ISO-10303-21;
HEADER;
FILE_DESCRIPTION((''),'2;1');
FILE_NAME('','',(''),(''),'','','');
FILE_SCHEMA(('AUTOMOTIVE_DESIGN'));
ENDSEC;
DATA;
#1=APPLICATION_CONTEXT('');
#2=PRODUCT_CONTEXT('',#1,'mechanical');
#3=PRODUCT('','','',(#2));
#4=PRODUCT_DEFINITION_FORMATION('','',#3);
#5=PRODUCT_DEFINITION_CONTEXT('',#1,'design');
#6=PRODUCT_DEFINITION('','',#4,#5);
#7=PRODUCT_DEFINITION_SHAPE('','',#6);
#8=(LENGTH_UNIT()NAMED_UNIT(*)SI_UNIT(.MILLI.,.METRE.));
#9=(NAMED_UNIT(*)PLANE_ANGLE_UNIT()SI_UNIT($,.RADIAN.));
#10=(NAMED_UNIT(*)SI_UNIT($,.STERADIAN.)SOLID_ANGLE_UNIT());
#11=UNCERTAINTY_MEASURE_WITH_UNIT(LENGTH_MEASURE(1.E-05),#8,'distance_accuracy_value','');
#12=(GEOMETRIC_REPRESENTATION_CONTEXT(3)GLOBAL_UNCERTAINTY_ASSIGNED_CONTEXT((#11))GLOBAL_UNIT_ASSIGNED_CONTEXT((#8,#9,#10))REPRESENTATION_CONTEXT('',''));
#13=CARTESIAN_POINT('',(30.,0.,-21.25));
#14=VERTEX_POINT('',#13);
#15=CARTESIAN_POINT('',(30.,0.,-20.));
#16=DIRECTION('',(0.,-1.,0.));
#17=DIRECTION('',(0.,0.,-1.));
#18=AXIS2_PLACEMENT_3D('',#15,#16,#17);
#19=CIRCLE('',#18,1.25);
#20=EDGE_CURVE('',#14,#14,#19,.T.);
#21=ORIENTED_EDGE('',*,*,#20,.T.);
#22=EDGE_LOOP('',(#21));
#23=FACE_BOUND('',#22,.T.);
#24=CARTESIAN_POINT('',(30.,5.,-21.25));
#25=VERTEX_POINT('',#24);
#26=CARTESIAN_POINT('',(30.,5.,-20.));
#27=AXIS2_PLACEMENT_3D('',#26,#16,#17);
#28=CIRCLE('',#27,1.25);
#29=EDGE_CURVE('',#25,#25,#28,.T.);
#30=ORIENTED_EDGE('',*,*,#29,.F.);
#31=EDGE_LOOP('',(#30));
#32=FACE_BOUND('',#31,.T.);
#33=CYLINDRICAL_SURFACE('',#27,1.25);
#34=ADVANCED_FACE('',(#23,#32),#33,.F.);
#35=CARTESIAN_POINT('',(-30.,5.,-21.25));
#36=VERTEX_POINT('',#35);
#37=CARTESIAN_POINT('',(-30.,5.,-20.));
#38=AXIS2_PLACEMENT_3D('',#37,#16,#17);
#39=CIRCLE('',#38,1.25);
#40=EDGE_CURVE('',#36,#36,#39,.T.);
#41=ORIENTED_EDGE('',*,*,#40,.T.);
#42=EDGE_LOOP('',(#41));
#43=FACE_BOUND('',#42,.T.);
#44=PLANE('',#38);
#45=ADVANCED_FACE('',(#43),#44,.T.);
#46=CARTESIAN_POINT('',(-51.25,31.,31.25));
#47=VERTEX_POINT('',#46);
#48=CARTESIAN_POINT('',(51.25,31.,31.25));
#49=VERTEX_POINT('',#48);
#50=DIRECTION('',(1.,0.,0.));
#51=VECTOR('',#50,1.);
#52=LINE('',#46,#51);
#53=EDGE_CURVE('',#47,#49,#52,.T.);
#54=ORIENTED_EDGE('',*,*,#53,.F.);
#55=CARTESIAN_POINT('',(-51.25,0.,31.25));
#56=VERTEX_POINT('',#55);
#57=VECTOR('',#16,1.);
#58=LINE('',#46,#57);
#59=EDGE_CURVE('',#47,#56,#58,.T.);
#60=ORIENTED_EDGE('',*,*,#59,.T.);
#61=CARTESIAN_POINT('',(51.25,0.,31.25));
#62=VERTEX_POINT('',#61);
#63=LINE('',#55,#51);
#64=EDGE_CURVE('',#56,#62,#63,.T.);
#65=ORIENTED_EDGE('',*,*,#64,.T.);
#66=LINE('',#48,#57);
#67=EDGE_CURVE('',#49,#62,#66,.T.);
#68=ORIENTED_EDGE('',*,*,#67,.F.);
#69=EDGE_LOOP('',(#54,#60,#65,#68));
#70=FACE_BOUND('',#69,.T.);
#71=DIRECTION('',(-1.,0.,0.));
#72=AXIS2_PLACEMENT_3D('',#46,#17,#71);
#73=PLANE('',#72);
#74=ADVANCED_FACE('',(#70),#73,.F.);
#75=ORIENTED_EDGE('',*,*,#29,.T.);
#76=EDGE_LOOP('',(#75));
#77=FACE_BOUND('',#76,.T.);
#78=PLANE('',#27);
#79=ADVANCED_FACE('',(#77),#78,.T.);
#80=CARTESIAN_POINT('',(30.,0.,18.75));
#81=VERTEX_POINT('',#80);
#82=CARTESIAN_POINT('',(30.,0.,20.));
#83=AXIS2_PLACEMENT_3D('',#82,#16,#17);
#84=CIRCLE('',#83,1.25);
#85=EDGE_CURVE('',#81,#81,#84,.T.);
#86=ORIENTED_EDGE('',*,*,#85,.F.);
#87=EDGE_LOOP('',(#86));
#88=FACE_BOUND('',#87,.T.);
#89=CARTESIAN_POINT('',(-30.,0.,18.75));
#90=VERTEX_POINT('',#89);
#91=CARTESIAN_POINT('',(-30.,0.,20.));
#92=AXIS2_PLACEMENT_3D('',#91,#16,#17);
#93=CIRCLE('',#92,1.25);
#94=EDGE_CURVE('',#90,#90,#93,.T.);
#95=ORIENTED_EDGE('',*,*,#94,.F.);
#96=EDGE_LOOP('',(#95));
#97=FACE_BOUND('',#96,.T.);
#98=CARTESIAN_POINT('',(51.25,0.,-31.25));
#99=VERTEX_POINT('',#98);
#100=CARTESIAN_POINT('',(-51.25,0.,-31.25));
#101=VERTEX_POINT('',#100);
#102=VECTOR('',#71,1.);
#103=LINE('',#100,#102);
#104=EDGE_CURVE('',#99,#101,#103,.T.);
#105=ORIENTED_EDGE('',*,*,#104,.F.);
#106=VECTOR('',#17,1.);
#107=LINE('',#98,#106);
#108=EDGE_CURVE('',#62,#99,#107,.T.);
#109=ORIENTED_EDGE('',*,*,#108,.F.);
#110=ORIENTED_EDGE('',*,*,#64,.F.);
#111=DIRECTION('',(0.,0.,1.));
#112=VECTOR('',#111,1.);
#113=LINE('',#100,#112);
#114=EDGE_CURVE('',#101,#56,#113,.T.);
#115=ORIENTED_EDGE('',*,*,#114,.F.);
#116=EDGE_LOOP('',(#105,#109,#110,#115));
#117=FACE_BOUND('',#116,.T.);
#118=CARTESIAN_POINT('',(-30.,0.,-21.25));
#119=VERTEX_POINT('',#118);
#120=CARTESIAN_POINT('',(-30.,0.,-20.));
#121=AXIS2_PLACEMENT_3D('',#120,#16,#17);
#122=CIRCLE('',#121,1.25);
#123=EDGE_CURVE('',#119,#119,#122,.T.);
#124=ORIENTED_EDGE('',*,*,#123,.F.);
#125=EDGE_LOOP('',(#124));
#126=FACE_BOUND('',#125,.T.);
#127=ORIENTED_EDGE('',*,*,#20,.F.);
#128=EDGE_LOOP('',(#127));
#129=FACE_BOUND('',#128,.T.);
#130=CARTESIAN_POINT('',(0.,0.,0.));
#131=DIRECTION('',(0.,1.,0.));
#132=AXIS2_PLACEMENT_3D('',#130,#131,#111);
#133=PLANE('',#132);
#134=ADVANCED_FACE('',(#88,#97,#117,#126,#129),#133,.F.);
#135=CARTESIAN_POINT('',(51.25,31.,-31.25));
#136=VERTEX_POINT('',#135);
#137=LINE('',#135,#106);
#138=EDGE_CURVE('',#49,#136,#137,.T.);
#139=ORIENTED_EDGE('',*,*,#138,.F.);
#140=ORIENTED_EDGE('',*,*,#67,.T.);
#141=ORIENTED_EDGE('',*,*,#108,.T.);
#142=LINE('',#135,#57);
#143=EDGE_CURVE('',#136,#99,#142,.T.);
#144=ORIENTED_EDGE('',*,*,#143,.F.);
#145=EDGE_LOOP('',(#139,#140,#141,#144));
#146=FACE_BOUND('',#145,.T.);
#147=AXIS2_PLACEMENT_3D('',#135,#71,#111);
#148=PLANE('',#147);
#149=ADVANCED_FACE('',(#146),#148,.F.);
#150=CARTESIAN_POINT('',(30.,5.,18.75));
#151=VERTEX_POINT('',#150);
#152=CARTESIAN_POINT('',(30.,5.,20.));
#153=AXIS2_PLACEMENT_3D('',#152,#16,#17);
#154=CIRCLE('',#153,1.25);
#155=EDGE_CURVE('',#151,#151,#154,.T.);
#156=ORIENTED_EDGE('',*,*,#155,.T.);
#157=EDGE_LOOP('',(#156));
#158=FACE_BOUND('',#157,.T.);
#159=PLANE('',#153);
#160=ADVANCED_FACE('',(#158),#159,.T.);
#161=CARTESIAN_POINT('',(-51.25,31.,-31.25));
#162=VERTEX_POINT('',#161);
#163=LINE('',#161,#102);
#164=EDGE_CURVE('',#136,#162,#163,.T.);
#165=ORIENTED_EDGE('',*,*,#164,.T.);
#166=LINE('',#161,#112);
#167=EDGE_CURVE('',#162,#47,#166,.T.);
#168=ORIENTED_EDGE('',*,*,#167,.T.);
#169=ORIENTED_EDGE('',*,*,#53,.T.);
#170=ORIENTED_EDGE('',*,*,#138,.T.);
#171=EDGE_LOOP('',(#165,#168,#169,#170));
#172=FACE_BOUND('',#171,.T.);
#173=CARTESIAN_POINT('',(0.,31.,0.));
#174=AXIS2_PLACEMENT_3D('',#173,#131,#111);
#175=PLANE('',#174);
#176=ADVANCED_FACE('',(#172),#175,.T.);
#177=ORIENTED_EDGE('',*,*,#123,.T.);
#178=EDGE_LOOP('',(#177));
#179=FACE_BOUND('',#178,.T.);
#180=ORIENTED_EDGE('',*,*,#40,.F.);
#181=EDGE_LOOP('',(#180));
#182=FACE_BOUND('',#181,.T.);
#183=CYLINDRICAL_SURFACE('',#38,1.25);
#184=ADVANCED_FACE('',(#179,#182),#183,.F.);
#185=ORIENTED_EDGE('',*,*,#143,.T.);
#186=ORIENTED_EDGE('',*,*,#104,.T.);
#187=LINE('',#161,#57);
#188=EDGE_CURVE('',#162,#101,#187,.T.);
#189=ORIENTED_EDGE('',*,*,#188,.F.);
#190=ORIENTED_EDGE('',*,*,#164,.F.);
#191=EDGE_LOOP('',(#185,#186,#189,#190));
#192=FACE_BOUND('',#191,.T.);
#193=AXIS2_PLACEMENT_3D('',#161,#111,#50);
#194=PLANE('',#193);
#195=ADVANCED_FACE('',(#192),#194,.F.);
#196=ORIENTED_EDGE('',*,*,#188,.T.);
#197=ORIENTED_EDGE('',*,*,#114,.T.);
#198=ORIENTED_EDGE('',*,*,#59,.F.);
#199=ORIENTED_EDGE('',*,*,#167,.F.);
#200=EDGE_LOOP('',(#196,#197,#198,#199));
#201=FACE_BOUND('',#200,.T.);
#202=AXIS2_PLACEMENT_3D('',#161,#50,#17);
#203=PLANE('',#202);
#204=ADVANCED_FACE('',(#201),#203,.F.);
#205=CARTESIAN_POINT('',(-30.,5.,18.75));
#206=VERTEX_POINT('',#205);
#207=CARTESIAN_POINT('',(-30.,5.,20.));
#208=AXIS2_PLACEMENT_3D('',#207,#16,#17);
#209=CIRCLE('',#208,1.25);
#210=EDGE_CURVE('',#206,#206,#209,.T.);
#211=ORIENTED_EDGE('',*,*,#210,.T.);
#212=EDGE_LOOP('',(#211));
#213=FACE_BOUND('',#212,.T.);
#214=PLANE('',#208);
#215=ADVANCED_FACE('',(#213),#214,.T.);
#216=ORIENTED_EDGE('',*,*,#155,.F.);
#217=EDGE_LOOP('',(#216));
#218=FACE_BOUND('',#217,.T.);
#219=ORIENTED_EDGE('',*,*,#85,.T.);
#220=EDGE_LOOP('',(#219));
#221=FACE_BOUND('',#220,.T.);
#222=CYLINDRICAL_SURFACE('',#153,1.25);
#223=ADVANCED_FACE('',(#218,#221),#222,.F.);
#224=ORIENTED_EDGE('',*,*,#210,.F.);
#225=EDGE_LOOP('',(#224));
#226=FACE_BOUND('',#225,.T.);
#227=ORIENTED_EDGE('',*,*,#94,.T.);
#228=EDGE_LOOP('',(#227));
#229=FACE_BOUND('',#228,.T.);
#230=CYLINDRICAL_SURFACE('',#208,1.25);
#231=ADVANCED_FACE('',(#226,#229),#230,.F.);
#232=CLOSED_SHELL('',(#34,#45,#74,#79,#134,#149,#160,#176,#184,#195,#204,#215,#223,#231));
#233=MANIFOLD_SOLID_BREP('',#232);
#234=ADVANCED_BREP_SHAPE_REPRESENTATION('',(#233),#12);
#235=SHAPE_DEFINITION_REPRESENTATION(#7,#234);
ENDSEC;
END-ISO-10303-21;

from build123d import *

# Parameters (mm, degrees)
SKETCH_2_W          = 102.5
SKETCH_2_H          = 62.5
EXTRUDE_2_DEPTH     = 31
SKETCH_3_R          = 1.25
CUT_EXTRUDE_1_DEPTH = 5


with BuildPart() as part:
    # 草图2 → 凸台-拉伸2 (new body)
    with BuildSketch(Plane(origin=(0, 0, 0), x_dir=(1, 0, 0), z_dir=(0, 1, 0))):
        Rectangle(SKETCH_2_W, SKETCH_2_H)
    extrude(amount=EXTRUDE_2_DEPTH)

    # 草图3 → 切除-拉伸1 (cut)
    with BuildSketch(Plane.XZ):
        with Locations(Location((-30, 20, 0), (0, 0, 270))):
            Circle(SKETCH_3_R)
        with Locations(Location((30, 20, 0), (0, 0, 270))):
            Circle(SKETCH_3_R)
        with Locations(Location((30, -20, 0), (0, 0, 270))):
            Circle(SKETCH_3_R)
        with Locations(Location((-30, -20, 0), (0, 0, 270))):
            Circle(SKETCH_3_R)
    extrude(amount=-CUT_EXTRUDE_1_DEPTH, mode=Mode.SUBTRACT)


solid = part.part
